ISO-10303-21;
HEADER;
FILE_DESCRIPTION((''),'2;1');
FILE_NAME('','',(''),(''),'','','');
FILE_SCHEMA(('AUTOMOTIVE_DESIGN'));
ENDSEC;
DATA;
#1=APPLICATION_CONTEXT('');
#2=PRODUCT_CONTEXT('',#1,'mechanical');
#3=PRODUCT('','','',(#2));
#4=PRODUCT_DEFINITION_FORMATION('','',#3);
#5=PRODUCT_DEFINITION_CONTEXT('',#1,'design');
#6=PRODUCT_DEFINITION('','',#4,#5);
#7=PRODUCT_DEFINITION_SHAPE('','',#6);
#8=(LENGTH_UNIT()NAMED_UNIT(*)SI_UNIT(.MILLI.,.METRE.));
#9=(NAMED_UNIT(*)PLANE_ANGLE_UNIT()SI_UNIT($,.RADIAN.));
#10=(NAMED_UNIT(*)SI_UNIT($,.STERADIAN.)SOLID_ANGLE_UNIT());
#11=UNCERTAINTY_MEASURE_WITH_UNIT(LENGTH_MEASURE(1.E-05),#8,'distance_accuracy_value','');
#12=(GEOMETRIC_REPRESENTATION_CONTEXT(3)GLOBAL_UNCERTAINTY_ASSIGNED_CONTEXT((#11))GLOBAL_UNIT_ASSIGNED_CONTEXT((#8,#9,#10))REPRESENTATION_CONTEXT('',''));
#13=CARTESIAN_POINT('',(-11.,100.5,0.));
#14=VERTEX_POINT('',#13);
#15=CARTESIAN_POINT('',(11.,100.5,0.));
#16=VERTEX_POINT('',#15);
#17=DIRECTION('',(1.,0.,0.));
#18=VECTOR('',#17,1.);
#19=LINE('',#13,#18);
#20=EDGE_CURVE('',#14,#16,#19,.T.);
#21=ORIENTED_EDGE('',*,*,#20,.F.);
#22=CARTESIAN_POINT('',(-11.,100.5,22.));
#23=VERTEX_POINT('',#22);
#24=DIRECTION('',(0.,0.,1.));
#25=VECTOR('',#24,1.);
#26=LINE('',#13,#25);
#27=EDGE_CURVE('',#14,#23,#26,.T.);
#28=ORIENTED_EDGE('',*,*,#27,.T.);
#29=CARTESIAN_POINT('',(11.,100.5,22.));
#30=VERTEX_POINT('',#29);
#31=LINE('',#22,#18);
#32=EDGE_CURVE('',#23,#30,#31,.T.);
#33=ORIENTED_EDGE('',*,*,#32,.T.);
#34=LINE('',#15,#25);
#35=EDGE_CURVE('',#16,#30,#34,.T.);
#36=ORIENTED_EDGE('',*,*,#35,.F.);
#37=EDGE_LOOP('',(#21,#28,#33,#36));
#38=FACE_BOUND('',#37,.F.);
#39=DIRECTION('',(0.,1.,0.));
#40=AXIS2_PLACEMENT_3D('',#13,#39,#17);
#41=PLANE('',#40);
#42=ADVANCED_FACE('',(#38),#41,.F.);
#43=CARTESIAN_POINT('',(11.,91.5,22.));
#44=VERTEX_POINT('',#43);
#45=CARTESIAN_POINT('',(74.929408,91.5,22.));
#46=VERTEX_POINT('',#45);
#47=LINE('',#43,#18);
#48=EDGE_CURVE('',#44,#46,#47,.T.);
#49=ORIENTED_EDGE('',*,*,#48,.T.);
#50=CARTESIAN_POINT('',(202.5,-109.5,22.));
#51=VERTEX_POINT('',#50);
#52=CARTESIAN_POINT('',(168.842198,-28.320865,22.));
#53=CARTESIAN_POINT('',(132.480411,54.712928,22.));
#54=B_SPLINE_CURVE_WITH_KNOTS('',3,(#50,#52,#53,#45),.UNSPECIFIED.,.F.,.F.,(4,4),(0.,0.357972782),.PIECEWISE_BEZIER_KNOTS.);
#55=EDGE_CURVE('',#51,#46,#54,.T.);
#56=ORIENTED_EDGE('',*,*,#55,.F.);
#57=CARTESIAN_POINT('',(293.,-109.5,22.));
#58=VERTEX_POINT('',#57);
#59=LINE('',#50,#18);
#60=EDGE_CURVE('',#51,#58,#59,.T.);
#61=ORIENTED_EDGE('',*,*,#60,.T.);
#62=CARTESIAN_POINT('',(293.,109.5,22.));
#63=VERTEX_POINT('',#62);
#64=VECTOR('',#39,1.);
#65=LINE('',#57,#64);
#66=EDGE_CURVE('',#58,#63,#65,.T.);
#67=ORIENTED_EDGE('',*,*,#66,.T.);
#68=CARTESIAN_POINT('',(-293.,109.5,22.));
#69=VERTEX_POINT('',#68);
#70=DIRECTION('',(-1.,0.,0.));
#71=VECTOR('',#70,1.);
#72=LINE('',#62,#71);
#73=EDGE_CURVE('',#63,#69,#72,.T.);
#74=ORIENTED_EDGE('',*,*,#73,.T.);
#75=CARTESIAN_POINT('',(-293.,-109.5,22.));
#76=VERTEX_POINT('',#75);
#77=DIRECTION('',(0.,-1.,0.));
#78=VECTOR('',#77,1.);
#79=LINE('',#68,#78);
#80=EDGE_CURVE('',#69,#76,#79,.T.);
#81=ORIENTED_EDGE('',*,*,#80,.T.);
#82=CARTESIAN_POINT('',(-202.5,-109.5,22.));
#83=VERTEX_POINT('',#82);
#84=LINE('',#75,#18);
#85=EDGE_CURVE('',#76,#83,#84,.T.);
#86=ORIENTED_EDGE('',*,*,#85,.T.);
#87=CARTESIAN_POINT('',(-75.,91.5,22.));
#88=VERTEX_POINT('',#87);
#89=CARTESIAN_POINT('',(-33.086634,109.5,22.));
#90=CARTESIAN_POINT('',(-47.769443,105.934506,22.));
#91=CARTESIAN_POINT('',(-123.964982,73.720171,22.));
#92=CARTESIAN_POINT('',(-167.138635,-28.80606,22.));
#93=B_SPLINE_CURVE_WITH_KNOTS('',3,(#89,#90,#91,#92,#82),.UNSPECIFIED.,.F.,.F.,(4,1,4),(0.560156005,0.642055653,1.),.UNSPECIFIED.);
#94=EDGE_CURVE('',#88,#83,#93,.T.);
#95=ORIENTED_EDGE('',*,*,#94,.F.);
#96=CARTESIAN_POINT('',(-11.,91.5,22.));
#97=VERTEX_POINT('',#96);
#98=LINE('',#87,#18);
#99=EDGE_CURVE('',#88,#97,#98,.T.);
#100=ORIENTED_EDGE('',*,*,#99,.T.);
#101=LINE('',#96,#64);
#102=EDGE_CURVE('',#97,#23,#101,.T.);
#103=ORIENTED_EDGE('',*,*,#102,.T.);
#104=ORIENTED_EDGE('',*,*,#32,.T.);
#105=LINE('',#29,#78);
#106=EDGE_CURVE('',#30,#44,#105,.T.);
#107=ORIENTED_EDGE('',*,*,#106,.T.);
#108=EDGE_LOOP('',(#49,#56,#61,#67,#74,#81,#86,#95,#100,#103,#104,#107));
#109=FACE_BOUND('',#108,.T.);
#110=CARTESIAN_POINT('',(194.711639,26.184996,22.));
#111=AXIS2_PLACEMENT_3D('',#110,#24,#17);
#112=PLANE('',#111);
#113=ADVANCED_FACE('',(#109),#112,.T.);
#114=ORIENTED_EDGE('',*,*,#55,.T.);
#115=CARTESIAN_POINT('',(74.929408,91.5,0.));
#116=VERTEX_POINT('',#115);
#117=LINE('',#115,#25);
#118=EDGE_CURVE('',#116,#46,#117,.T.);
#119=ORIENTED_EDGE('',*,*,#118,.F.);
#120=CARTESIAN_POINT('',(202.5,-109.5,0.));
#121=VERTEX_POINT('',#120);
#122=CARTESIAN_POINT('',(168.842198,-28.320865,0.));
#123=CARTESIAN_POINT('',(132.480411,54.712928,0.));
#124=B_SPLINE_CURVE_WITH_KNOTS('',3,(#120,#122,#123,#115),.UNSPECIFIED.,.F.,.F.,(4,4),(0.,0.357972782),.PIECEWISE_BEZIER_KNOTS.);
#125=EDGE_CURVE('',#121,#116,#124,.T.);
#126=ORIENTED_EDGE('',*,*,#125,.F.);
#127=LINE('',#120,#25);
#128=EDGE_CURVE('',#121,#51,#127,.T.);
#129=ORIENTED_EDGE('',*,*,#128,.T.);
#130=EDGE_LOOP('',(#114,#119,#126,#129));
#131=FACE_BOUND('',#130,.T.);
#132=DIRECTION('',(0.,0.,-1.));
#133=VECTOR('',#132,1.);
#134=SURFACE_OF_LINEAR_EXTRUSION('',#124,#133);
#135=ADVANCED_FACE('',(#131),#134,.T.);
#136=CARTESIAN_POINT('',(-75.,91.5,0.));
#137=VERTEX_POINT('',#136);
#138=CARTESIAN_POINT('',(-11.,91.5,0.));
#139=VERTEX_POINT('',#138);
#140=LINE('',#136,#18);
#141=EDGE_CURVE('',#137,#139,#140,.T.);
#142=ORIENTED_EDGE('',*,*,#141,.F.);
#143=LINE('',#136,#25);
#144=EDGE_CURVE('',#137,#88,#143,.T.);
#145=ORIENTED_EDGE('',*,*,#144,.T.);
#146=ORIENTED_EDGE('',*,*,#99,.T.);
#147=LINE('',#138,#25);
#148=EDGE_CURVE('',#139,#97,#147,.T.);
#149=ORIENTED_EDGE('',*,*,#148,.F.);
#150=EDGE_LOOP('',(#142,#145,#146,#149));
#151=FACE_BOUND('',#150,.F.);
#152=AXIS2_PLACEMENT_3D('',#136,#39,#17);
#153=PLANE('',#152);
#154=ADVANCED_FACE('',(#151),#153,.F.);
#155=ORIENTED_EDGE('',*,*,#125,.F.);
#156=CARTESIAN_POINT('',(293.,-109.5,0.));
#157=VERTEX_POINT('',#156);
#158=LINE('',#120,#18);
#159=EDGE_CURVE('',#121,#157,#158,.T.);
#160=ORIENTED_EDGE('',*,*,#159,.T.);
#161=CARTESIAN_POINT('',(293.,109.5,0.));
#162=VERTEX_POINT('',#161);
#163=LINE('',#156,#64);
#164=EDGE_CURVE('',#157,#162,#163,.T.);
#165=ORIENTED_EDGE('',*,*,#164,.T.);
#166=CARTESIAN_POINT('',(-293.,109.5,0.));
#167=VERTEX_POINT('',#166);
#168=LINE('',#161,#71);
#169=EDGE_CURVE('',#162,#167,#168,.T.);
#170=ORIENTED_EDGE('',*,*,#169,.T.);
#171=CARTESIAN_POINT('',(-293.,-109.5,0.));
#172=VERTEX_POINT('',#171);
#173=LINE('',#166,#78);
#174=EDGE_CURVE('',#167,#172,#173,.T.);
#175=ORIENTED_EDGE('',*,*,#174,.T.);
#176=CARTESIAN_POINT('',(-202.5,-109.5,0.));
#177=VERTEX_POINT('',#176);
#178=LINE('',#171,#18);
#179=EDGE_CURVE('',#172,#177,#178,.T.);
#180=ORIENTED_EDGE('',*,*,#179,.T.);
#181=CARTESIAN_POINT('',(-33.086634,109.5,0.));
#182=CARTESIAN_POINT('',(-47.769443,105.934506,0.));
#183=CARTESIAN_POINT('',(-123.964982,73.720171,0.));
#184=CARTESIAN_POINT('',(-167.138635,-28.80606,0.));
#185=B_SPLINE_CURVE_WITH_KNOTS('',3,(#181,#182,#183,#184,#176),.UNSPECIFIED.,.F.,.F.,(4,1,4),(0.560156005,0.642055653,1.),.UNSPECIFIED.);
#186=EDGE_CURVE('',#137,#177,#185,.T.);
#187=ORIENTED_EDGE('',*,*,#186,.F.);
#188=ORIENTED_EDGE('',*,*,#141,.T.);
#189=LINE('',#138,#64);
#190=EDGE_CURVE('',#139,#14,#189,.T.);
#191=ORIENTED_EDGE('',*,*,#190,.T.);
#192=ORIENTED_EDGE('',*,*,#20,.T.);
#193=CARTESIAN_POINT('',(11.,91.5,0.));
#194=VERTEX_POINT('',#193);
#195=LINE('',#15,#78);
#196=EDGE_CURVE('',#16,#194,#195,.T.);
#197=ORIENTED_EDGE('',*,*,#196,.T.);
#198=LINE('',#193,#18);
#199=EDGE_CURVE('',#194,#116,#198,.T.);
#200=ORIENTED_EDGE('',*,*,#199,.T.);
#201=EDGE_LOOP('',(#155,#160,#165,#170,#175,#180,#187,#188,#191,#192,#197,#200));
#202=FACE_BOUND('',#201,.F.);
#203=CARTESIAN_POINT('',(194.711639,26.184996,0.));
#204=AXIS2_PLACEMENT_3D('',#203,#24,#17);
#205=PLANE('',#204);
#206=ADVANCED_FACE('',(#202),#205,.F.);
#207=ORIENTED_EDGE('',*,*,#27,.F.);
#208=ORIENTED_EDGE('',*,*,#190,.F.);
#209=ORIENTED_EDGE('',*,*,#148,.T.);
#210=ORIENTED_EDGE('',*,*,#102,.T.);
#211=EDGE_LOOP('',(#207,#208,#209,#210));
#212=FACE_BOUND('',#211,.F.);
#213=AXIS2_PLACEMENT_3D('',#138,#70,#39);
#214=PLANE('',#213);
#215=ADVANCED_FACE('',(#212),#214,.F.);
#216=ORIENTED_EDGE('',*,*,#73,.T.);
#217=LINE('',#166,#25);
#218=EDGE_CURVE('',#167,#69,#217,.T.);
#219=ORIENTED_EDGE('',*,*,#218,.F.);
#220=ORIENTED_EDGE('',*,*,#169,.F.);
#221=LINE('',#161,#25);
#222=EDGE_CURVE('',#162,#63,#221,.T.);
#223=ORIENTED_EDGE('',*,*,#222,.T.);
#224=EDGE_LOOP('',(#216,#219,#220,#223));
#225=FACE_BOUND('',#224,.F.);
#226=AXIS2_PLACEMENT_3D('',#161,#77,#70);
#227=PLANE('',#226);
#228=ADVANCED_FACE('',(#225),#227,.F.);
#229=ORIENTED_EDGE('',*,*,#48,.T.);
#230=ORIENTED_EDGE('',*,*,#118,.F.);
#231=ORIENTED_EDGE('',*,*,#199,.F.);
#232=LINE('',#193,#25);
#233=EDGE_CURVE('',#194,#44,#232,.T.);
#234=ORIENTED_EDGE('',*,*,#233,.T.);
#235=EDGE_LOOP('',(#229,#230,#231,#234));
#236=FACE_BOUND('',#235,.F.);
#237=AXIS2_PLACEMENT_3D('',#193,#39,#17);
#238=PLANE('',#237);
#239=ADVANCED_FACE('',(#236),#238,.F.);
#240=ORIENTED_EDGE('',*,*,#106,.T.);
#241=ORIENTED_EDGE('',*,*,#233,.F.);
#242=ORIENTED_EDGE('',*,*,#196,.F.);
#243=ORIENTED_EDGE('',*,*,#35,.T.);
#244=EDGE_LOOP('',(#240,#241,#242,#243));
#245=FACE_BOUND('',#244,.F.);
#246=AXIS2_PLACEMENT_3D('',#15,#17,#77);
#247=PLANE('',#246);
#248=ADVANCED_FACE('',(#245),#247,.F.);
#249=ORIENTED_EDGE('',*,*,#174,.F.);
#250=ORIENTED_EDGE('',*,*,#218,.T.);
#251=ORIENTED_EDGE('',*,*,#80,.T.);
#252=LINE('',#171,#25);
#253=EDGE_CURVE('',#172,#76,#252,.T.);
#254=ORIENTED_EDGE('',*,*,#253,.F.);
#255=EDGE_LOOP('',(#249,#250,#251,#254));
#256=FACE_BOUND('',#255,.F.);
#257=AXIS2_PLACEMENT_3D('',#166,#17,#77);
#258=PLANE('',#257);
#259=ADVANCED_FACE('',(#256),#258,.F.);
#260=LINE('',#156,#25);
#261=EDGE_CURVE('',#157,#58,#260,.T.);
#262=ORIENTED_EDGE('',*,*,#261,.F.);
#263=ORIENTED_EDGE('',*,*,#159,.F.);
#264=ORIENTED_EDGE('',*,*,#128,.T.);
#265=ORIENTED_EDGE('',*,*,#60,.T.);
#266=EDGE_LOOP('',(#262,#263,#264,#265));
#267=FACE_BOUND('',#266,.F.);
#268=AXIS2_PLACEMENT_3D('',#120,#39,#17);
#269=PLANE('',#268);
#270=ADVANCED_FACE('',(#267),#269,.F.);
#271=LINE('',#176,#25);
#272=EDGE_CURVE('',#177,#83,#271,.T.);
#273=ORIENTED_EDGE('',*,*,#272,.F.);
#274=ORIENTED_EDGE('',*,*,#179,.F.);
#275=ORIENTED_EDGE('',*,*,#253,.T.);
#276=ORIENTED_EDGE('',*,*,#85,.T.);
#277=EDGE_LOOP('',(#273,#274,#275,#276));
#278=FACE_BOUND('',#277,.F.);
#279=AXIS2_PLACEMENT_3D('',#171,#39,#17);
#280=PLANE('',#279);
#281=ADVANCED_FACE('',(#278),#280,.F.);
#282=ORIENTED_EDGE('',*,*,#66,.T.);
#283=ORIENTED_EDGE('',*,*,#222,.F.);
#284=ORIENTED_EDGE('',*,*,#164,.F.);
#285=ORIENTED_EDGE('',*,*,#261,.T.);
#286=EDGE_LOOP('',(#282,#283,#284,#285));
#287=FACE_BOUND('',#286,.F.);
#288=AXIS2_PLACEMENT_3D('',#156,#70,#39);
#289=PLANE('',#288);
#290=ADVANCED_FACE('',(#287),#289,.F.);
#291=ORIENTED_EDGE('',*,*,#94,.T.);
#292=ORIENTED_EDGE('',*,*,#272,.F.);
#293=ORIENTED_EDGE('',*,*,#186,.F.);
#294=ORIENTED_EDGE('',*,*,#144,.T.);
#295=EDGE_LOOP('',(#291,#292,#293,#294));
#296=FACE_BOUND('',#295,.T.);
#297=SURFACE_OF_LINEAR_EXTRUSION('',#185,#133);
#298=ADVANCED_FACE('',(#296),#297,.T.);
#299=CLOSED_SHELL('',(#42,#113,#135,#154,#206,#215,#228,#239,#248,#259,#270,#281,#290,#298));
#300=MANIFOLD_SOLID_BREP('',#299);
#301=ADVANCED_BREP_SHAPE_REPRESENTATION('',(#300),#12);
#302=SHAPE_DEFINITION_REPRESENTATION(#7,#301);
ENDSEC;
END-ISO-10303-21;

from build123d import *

# Parameters (mm, degrees)
F1_DEPTH = 22


with BuildPart() as f1:
    # F0 (on Top) → F1 (new body)
    with BuildSketch(Plane.XY):
        with BuildLine():
            Line((202.5, -109.5), (293, -109.5))
            Line((293, -109.5), (293, 109.5))
            Line((293, 109.5), (32.6773387732, 109.5))
            add(Edge.make_bspline(
                [(74.9294082342, 91.5), (61.7405144002, 99.9304487992), (47.4387981896, 105.9320967679), (32.6773387732, 109.5)],
                knots=[0.3579727823, 0.3579727823, 0.3579727823, 0.3579727823, 0.4400089726, 0.4400089726, 0.4400089726, 0.4400089726], degree=3))
            add(Edge.make_bspline(
                [(202.5, -109.5), (168.8421975508, -28.3208648604), (132.4804111129, 54.7129283005), (74.9294082342, 91.5)],
                knots=[0, 0, 0, 0, 0.3579727823, 0.3579727823, 0.3579727823, 0.3579727823], degree=3))
        make_face()
        with BuildLine():
            Line((11, 91.5), (74.9294082342, 91.5))
            add(Edge.make_bspline(
                [(74.9294082342, 91.5), (61.7405144002, 99.9304487992), (47.4387981896, 105.9320967679), (32.6773387732, 109.5)],
                knots=[0.3579727823, 0.3579727823, 0.3579727823, 0.3579727823, 0.4400089726, 0.4400089726, 0.4400089726, 0.4400089726], degree=3))
            Line((32.6773387732, 109.5), (-33.0866336258, 109.5))
            add(Edge.make_bspline(
                [(-33.0866336258, 109.5), (-47.7694427679, 105.9345063088), (-61.9571727667, 99.9361460626), (-75, 91.5)],
                knots=[0.5601560048, 0.5601560048, 0.5601560048, 0.5601560048, 0.6420556533, 0.6420556533, 0.6420556533, 0.6420556533], degree=3))
            Line((-75, 91.5), (-11, 91.5))
            Line((-11, 91.5), (-11, 100.5))
            Line((-11, 100.5), (11, 100.5))
            Line((11, 100.5), (11, 91.5))
        make_face()
        with BuildLine():
            Line((-293, -109.5), (-202.5, -109.5))
            add(Edge.make_bspline(
                [(-75, 91.5), (-132.0039842831, 54.6296245085), (-167.1386352145, -28.8060596399), (-202.5, -109.5)],
                knots=[0.6420556533, 0.6420556533, 0.6420556533, 0.6420556533, 1, 1, 1, 1], degree=3))
            add(Edge.make_bspline(
                [(-33.0866336258, 109.5), (-47.7694427679, 105.9345063088), (-61.9571727667, 99.9361460626), (-75, 91.5)],
                knots=[0.5601560048, 0.5601560048, 0.5601560048, 0.5601560048, 0.6420556533, 0.6420556533, 0.6420556533, 0.6420556533], degree=3))
            Line((-33.0866336258, 109.5), (-293, 109.5))
            Line((-293, 109.5), (-293, -109.5))
        make_face()
    extrude(amount=F1_DEPTH)


solid = f1.part
